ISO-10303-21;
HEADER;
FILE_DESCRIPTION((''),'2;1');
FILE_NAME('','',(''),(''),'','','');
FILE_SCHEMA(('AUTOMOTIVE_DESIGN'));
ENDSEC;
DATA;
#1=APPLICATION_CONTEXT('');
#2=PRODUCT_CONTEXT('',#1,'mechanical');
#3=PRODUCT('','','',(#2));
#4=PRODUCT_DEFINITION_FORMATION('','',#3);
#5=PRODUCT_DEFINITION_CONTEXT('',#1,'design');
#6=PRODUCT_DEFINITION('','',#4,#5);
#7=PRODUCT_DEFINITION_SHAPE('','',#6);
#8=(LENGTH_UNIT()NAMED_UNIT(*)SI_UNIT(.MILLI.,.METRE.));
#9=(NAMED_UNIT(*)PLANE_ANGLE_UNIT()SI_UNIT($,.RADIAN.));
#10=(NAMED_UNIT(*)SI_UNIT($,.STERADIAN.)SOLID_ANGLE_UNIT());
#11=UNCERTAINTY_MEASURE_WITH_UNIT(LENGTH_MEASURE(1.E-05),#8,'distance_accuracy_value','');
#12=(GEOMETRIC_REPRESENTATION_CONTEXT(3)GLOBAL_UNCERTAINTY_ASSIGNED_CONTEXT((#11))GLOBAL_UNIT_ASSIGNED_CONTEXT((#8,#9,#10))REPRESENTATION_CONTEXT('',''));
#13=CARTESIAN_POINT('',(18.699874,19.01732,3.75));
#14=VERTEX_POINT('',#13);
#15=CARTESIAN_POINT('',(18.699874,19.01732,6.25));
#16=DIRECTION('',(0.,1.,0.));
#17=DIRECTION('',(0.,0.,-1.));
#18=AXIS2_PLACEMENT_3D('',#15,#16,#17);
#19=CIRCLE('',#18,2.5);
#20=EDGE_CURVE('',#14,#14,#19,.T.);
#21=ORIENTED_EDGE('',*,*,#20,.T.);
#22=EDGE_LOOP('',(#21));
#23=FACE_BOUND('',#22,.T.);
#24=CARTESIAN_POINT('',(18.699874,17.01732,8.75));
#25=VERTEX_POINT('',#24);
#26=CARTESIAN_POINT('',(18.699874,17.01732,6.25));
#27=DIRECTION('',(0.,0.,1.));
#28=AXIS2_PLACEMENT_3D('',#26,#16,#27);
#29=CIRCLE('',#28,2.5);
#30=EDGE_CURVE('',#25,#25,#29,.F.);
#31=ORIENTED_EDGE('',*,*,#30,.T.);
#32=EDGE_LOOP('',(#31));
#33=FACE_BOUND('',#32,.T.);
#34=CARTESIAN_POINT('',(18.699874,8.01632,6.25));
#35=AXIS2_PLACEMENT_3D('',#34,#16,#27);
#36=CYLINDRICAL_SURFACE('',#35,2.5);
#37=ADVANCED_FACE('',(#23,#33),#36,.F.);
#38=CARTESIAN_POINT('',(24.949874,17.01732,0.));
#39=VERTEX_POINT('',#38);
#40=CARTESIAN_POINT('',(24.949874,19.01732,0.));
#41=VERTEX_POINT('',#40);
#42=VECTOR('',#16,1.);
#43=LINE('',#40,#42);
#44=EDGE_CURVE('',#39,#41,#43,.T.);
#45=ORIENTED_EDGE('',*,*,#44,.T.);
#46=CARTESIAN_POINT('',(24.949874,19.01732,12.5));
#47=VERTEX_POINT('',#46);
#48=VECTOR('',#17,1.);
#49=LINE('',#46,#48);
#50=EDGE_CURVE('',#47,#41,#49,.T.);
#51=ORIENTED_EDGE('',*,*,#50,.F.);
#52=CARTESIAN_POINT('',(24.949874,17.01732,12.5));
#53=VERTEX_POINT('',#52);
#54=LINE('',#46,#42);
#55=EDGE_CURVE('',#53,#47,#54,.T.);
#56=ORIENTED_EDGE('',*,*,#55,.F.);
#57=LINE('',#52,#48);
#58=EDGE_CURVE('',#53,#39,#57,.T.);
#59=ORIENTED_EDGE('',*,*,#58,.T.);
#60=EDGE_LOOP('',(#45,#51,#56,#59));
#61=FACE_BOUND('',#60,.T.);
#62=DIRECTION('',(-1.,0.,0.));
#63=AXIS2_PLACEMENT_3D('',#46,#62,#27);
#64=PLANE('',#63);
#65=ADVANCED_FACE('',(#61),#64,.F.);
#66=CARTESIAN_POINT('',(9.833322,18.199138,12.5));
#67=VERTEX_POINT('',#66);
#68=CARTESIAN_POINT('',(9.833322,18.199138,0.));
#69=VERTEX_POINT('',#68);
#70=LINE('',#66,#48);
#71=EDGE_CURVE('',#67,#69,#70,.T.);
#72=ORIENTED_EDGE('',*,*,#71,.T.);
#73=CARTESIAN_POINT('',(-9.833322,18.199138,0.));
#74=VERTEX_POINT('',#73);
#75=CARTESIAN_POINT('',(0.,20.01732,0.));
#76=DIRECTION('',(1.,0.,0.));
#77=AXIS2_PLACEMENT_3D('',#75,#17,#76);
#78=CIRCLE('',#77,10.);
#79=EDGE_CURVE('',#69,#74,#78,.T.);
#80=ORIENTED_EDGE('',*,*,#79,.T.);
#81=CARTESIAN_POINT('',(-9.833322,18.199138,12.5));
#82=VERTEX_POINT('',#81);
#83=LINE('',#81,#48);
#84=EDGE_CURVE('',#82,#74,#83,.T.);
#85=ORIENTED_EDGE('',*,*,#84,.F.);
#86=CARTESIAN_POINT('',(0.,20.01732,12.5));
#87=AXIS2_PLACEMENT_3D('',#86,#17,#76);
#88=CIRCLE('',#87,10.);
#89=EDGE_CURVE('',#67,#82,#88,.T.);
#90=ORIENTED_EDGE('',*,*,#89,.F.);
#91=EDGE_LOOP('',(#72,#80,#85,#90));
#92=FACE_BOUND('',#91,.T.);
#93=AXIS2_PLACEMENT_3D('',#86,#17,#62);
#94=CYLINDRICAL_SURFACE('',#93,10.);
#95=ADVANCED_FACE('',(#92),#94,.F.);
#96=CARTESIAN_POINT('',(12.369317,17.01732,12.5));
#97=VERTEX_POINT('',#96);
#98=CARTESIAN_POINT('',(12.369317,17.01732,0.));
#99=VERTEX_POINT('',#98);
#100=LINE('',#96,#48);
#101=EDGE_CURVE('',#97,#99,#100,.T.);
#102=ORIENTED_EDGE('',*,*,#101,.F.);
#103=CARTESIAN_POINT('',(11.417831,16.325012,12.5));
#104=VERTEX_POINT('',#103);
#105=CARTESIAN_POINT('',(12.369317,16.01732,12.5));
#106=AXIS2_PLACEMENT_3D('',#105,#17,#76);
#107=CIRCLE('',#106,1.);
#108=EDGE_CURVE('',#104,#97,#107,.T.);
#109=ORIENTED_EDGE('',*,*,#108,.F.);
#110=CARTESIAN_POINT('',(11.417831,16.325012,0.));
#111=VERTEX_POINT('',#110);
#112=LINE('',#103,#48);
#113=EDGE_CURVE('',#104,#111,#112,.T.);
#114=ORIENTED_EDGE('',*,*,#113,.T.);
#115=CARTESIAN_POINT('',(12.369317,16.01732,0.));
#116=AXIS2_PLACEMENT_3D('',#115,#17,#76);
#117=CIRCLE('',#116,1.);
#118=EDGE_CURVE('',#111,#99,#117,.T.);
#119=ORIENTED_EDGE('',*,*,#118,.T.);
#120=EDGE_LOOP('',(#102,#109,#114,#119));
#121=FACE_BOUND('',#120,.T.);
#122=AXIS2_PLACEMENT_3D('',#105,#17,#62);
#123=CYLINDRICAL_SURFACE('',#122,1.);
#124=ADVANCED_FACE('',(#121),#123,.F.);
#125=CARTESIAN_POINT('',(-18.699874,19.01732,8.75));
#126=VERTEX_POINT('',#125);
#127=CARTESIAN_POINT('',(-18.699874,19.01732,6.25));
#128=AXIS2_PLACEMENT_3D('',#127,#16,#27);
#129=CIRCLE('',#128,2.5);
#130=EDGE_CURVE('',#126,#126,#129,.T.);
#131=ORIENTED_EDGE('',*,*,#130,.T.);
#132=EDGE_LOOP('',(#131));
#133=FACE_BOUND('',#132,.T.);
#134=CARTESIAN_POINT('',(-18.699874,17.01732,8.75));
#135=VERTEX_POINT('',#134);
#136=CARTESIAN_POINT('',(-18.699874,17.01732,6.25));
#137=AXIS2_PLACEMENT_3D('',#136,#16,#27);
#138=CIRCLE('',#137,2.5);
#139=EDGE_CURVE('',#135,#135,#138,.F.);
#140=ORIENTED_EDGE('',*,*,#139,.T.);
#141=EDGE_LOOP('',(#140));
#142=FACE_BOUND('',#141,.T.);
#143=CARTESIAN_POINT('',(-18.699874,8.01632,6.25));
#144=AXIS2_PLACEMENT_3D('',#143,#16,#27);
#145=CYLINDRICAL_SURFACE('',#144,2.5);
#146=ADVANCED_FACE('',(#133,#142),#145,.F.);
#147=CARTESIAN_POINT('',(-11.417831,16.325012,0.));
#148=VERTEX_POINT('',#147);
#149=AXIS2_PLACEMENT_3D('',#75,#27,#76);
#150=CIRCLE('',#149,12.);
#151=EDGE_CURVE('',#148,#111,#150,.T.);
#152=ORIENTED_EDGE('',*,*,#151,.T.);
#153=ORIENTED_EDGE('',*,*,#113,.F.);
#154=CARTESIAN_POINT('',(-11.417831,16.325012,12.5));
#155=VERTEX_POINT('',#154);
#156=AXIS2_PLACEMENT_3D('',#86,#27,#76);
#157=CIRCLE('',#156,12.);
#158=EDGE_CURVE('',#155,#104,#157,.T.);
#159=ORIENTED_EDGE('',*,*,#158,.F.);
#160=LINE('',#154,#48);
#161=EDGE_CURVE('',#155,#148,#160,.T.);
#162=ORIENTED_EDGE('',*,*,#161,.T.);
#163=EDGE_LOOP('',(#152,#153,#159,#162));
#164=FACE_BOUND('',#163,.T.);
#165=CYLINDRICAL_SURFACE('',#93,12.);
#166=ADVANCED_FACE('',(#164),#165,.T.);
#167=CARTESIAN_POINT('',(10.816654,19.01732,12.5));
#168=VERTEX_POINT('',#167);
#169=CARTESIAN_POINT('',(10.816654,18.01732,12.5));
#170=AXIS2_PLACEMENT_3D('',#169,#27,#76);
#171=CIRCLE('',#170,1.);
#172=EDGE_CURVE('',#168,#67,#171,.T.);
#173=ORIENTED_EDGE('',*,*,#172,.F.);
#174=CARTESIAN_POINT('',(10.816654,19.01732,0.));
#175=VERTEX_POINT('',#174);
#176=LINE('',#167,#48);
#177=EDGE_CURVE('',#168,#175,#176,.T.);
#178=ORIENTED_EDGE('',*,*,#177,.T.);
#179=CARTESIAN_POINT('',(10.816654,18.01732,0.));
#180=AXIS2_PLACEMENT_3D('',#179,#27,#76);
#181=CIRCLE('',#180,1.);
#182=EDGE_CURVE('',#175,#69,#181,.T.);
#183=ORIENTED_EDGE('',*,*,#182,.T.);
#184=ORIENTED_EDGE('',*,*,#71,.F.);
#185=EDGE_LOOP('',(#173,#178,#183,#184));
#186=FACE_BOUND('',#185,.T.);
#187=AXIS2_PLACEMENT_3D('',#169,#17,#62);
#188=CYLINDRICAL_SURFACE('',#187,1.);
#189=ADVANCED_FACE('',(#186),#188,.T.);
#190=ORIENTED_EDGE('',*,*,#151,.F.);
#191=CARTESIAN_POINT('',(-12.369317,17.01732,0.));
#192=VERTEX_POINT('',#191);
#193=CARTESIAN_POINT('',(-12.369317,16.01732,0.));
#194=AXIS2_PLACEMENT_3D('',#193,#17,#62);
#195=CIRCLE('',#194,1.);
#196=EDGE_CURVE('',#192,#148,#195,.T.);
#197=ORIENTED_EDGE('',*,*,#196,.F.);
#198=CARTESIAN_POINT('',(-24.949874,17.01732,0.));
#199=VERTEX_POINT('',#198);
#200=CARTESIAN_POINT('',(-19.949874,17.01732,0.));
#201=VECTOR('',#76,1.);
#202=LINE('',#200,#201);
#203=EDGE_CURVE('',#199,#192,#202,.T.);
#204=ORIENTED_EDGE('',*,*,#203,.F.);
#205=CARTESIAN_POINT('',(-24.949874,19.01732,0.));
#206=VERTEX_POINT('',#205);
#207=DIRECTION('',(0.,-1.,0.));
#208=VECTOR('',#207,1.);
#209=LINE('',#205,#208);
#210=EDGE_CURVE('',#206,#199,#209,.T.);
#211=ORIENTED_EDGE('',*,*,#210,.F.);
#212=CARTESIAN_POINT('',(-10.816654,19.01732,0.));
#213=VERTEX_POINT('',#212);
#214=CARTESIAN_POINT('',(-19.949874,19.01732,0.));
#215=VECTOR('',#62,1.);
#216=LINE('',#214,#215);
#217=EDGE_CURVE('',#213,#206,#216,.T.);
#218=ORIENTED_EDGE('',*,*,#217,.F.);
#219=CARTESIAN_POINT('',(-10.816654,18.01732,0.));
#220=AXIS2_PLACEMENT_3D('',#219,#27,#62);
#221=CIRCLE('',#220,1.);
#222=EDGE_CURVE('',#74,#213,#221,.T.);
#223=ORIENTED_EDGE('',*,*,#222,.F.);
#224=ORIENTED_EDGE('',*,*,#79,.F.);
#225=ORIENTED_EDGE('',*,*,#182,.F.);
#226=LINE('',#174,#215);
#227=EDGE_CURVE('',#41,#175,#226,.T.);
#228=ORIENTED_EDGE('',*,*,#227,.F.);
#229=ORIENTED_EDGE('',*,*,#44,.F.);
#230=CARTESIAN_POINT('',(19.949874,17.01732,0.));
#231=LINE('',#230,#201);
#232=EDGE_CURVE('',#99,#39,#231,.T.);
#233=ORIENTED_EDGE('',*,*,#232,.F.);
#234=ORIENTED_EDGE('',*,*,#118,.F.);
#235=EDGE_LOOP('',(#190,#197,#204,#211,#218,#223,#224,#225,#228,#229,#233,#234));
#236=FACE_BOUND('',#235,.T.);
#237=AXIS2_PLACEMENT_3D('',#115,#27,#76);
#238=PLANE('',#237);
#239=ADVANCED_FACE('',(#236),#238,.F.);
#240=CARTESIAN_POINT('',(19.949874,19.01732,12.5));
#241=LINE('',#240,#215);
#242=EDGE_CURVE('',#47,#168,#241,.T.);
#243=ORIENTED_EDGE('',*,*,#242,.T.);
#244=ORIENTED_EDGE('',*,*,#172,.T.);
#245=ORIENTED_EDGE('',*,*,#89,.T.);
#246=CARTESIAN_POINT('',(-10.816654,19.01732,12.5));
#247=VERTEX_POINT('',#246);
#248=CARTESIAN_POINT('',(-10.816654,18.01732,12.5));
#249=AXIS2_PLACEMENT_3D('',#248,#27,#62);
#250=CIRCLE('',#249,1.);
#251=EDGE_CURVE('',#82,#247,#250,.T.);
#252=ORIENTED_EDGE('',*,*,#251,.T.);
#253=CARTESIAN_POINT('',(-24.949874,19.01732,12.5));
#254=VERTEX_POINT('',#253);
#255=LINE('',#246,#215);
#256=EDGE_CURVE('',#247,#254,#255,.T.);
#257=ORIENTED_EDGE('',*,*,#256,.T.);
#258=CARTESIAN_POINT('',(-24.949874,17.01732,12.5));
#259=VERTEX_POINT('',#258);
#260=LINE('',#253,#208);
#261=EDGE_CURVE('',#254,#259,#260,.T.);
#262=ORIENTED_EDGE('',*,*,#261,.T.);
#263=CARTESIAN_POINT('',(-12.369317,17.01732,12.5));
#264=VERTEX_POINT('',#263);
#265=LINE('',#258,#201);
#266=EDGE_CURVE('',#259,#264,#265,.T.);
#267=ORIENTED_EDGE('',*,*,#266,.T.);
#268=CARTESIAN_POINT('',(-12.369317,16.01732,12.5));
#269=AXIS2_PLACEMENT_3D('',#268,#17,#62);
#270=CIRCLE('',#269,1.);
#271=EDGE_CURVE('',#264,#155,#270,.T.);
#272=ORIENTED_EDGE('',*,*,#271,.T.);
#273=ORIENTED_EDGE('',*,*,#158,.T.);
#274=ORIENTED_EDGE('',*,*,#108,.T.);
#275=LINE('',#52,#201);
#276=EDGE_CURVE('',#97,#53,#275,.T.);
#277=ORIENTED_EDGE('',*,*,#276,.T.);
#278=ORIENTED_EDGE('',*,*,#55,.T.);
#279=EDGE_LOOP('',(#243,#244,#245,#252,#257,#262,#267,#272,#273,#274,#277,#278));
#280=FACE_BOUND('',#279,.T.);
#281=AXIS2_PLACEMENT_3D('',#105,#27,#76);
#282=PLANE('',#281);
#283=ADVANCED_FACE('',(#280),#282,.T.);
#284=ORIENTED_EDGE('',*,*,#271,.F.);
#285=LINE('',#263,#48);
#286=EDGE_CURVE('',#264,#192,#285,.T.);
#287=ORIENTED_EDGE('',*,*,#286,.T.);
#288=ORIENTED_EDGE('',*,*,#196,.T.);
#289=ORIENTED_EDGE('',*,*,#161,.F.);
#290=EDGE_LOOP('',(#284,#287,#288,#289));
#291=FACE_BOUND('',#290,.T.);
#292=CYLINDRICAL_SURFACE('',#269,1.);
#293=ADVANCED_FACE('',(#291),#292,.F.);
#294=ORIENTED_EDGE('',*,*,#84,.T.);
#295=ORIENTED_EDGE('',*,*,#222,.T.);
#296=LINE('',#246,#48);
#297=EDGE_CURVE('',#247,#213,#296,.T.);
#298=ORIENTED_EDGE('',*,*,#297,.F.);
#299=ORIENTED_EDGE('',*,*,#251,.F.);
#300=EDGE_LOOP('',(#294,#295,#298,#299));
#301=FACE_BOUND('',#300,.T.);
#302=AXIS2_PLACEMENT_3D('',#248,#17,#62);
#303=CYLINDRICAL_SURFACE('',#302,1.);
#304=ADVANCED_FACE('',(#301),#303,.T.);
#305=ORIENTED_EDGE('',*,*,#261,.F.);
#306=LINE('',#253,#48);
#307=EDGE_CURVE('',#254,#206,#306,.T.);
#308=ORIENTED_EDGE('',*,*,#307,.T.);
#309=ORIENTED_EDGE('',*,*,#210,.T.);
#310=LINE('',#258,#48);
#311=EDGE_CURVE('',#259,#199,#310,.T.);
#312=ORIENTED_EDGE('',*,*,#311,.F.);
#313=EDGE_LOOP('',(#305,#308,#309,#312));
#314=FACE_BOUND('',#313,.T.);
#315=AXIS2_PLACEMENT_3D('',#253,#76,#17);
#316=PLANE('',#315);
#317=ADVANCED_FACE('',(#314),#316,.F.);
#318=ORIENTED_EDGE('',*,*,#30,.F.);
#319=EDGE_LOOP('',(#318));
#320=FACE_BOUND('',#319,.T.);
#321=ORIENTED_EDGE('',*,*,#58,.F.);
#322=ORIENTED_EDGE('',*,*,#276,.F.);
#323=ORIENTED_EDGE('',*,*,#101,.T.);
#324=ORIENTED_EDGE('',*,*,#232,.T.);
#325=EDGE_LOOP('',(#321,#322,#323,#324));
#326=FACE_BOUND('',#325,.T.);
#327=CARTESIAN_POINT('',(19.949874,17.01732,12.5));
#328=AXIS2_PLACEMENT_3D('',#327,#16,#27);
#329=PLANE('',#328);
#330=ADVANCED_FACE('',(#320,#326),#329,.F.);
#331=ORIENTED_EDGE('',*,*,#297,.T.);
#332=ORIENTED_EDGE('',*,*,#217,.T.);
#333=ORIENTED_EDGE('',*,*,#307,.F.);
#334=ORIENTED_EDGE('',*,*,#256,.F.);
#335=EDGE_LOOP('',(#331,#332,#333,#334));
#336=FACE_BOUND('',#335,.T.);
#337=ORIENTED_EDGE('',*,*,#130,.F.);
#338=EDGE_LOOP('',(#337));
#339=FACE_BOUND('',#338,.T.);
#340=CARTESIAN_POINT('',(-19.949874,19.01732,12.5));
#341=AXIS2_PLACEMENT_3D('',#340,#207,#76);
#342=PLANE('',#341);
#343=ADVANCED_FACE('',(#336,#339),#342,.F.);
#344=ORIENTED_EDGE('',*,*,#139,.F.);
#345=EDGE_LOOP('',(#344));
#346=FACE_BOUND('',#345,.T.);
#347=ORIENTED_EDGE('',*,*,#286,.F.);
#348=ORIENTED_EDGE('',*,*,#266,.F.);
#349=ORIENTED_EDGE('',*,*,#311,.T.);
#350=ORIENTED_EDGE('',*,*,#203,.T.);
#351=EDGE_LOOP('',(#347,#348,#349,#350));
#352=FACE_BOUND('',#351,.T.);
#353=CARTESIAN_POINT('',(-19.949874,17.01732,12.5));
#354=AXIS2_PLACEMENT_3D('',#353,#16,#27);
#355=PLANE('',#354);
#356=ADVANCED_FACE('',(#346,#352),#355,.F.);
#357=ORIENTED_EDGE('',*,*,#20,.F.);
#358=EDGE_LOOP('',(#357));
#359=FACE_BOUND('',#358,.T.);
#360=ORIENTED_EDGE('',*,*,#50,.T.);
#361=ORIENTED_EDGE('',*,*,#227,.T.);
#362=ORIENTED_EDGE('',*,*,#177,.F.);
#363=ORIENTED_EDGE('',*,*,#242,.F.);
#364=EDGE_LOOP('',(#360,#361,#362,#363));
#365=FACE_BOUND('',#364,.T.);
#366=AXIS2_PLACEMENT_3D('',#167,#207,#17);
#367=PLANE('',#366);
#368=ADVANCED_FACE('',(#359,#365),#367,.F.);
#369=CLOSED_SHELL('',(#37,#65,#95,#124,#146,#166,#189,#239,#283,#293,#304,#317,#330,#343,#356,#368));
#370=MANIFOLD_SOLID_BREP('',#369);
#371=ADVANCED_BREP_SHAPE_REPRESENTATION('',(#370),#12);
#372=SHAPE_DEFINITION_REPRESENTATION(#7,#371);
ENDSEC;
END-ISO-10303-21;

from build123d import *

# Parameters (mm, degrees)
BOSS_EXTRUDE2_DEPTH = 12.5
CUT_EXTRUDE1_REACH  = 13
SKETCH4_R           = 2.5


with BuildPart() as part:
    # Sketch3 → Boss-Extrude2 (new body)
    with BuildSketch(Plane.XY):
        with BuildLine():
            Line((-10.816653826, 19.01731952), (-19.949874371, 19.01731952))
            Line((-19.949874371, 19.01731952), (-24.949874371, 19.01731952))
            Line((-24.949874371, 19.01731952), (-24.949874371, 17.01731952))
            Line((-24.949874371, 17.01731952), (-19.949874371, 17.01731952))
            Line((-19.949874371, 17.01731952), (-12.369316877, 17.01731952))
            ThreePointArc((-12.369316877, 17.01731952), (-11.780968471, 16.82592706), (-11.417830963, 16.325011828))
            ThreePointArc((-11.417830963, 16.325011828), (0, 8.01731952), (11.417830963, 16.325011828))
            ThreePointArc((11.417830963, 16.325011828), (11.780968471, 16.82592706), (12.369316877, 17.01731952))
            Line((12.369316877, 17.01731952), (19.949874371, 17.01731952))
            Line((19.949874371, 17.01731952), (24.949874371, 17.01731952))
            Line((24.949874371, 17.01731952), (24.949874371, 19.01731952))
            Line((24.949874371, 19.01731952), (19.949874371, 19.01731952))
            Line((19.949874371, 19.01731952), (10.816653826, 19.01731952))
            ThreePointArc((10.816653826, 19.01731952), (10.177051677, 18.786025635), (9.83332166, 18.199137702))
            ThreePointArc((9.83332166, 18.199137702), (0, 10.01731952), (-9.83332166, 18.199137702))
            ThreePointArc((-9.83332166, 18.199137702), (-10.177051677, 18.786025635), (-10.816653826, 19.01731952))
        make_face()
    extrude(amount=BOSS_EXTRUDE2_DEPTH)

    # Sketch4 → Cut-Extrude1 (cut, up to next)
    with BuildSketch(Plane(origin=(0, 19.01731952, 0), x_dir=(1, 0, 0), z_dir=(0, 1, 0)), mode=Mode.PRIVATE) as cut_extrude1_sk1:
        with Locations((-18.699874371, -6.25)):
            Circle(SKETCH4_R)
    cut_extrude1_tool1 = extrude(cut_extrude1_sk1.sketch, amount=-CUT_EXTRUDE1_REACH, mode=Mode.PRIVATE) & part.part
    add(cut_extrude1_tool1.solids().sort_by_distance((-18.699874, 19.01732, 6.25))[0], mode=Mode.SUBTRACT)
    # Sketch4 → Cut-Extrude1 (cut, up to next)
    with BuildSketch(Plane(origin=(0, 19.01731952, 0), x_dir=(1, 0, 0), z_dir=(0, 1, 0)), mode=Mode.PRIVATE) as cut_extrude1_sk2:
        with Locations((18.699874371, -6.25)):
            Circle(SKETCH4_R)
    cut_extrude1_tool2 = extrude(cut_extrude1_sk2.sketch, amount=-CUT_EXTRUDE1_REACH, mode=Mode.PRIVATE) & part.part
    add(cut_extrude1_tool2.solids().sort_by_distance((18.699874, 19.01732, 6.25))[0], mode=Mode.SUBTRACT)


solid = part.part
